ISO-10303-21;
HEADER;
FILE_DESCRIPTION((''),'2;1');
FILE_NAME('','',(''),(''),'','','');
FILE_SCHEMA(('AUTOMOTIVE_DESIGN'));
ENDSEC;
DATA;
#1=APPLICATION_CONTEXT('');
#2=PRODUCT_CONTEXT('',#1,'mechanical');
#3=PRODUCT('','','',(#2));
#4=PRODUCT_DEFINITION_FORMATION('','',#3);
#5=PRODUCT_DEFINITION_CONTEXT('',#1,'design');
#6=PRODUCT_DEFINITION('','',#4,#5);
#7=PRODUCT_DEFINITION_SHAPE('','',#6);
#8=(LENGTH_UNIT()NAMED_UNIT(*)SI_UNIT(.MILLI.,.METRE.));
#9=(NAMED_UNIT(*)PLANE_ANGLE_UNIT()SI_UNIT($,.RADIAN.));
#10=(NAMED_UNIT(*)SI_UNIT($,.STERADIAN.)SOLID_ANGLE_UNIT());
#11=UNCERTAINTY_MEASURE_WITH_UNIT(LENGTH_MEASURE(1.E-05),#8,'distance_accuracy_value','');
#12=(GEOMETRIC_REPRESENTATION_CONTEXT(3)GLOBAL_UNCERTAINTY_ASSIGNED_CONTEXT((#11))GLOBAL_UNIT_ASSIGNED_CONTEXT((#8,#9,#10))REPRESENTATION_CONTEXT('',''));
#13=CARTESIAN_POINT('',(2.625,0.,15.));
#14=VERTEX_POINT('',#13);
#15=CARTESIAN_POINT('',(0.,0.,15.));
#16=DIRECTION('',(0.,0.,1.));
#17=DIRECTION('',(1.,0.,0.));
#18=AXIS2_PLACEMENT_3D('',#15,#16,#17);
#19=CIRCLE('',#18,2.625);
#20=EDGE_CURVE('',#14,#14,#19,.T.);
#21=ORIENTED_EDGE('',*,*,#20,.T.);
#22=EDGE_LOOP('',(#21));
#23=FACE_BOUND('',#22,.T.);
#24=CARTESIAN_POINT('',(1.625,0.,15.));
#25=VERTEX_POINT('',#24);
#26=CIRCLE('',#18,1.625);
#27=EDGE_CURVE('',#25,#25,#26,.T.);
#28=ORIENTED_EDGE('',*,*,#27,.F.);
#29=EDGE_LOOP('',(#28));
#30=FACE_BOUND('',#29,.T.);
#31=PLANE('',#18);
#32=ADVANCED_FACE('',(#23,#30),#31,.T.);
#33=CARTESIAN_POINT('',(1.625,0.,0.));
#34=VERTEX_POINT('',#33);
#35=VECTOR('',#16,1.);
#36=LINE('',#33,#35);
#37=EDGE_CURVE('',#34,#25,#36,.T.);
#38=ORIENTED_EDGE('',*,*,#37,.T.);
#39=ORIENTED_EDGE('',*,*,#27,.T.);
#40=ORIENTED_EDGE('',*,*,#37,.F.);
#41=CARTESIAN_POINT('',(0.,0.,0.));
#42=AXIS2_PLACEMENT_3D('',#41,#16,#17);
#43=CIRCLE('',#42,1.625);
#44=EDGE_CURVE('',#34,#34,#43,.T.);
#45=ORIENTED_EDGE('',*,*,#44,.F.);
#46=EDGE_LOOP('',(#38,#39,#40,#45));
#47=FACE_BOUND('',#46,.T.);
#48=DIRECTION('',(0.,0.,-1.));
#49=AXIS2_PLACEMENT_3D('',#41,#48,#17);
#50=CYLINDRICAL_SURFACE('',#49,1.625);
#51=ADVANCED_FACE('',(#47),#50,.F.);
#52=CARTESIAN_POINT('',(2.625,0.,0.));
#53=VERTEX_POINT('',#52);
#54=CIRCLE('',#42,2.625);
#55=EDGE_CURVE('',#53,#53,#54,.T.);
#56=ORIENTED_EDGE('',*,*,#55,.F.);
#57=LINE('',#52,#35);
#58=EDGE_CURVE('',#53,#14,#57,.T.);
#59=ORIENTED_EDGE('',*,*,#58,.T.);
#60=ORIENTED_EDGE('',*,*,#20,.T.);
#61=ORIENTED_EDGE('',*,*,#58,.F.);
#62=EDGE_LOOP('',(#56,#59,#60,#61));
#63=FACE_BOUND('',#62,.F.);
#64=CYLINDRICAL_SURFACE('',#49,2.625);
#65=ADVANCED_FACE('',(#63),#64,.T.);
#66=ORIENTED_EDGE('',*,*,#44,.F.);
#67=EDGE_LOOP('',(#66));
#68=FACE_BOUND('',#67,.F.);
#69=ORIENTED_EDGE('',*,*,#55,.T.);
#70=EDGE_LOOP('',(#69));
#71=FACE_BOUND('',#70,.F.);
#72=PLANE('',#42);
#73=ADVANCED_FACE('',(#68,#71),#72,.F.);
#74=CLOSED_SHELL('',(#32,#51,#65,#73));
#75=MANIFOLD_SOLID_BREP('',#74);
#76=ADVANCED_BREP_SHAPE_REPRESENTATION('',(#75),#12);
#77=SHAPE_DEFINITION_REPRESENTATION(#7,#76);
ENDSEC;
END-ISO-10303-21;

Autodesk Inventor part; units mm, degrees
ref_plane "YZ Plane" through (0, 0, 0) normal (1, 0, 0) x (0, 1, 0)
ref_plane "XZ Plane" through (0, 0, 0) normal (0, 1, 0) x (-1, 0, 0)
ref_plane "XY Plane" through (0, 0, 0) normal (0, 0, 1) x (1, 0, 0)
sketch "Sketch1" plane through (0, 0, 0) normal (0, 0, 1) x (1, 0, 0)
  circle A0 centre (0, 0) radius 1.625
  circle A1 centre (0, 0) radius 2.625
  dimension "d0" = 3.25
  dimension "d1" = 1
extrude "Extrusion1" add sketch "Sketch1" along normal blind 15
properties part number "Separador"
